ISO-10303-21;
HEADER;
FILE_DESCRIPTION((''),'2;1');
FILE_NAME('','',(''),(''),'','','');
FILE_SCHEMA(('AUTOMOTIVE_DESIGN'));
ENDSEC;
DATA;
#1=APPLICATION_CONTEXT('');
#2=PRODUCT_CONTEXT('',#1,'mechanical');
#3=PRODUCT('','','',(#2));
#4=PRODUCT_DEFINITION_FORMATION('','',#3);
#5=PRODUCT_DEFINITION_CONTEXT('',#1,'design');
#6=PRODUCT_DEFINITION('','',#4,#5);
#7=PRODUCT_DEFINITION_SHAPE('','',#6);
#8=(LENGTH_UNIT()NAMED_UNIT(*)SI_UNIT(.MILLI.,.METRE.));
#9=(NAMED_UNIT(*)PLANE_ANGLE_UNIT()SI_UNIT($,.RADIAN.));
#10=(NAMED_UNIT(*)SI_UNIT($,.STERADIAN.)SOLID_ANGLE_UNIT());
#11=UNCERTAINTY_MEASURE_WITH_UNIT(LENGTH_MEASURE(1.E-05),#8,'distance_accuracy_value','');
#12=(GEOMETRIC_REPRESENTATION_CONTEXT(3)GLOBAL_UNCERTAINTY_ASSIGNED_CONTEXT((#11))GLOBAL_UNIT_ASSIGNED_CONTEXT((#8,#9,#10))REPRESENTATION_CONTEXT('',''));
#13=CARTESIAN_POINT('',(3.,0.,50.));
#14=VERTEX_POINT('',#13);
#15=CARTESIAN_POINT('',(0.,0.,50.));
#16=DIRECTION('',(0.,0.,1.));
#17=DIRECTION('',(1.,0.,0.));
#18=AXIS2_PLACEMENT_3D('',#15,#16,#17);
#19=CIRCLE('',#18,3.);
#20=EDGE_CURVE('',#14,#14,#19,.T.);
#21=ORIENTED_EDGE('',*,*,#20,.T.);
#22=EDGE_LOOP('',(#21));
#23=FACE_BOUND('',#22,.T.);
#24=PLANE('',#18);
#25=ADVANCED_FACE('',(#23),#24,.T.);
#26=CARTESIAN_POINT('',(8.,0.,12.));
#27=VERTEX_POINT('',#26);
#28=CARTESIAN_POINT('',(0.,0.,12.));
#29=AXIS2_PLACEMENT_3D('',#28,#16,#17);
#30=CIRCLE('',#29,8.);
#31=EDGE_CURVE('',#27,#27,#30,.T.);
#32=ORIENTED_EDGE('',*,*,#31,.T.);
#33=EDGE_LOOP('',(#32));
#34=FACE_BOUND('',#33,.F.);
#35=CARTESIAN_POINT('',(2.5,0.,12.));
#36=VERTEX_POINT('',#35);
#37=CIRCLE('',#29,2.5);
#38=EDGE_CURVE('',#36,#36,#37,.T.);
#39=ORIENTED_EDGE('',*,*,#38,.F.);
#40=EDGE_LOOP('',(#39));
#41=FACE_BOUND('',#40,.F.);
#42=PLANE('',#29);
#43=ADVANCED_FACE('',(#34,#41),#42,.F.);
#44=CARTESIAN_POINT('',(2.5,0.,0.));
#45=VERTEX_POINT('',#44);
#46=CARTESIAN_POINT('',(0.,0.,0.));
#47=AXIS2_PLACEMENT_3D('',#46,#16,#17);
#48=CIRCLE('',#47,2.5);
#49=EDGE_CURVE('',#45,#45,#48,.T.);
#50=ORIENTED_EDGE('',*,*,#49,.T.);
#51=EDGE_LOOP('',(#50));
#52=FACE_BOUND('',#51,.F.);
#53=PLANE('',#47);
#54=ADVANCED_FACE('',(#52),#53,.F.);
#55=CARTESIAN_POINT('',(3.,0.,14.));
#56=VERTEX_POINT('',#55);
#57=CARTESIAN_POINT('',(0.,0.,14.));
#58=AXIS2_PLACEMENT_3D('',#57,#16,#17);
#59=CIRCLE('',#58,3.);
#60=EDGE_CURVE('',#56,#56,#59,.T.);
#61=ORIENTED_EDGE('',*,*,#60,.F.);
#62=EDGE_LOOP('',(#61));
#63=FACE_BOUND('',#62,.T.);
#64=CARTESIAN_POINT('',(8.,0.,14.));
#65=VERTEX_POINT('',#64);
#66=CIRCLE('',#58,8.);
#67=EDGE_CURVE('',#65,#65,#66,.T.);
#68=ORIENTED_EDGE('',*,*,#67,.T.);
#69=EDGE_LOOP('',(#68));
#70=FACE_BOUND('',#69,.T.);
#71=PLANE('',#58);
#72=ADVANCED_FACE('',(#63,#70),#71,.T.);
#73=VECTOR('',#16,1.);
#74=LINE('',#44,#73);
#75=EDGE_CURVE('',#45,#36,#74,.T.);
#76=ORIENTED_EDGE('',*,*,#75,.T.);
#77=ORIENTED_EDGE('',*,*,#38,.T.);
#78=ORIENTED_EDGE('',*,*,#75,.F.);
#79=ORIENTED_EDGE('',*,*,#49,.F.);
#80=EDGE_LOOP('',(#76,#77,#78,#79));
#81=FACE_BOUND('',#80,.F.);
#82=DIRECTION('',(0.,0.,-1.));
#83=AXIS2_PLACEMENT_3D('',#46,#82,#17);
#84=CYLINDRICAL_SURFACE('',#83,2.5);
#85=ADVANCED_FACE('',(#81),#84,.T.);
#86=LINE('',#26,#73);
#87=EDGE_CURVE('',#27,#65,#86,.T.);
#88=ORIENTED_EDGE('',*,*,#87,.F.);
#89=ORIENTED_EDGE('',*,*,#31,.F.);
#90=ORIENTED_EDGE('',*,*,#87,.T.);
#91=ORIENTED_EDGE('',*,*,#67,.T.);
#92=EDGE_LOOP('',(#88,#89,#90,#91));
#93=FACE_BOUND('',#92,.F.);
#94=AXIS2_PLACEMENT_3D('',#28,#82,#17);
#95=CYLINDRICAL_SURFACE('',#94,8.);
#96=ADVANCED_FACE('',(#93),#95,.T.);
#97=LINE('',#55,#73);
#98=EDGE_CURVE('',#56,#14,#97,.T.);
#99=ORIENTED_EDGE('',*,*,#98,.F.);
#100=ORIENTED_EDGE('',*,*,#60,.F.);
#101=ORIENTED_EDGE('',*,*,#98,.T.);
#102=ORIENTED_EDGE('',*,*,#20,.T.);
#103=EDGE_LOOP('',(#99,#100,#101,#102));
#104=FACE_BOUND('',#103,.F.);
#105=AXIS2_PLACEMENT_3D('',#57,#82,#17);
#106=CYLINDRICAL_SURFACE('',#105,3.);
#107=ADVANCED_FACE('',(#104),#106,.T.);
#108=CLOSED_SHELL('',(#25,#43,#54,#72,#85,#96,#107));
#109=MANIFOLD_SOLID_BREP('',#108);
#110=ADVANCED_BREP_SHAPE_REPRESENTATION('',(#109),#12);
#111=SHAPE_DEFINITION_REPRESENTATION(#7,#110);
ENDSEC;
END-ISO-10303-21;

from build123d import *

# Parameters (mm, degrees)
F0_R     = 2.5
F1_DEPTH = 12
F2_R     = 8
F2_R_2   = 2.5
F3_DEPTH = 2
F4_R     = 3
F5_DEPTH = 36


with BuildPart() as f1:
    # F0 (on Top) → F1 (new body)
    with BuildSketch(Plane.XY):
        Circle(F0_R)
    extrude(amount=F1_DEPTH)

    # F2 (on face) → F3 (join)
    with BuildSketch(Plane.XY.offset(12)):
        Circle(F2_R)
        Circle(F2_R_2, mode=Mode.SUBTRACT)
        Circle(F2_R)
    extrude(amount=F3_DEPTH)

    # F4 (on face) → F5 (join)
    with BuildSketch(Plane.XY.offset(14)):
        Circle(F4_R)
    extrude(amount=F5_DEPTH)


solid = f1.part
